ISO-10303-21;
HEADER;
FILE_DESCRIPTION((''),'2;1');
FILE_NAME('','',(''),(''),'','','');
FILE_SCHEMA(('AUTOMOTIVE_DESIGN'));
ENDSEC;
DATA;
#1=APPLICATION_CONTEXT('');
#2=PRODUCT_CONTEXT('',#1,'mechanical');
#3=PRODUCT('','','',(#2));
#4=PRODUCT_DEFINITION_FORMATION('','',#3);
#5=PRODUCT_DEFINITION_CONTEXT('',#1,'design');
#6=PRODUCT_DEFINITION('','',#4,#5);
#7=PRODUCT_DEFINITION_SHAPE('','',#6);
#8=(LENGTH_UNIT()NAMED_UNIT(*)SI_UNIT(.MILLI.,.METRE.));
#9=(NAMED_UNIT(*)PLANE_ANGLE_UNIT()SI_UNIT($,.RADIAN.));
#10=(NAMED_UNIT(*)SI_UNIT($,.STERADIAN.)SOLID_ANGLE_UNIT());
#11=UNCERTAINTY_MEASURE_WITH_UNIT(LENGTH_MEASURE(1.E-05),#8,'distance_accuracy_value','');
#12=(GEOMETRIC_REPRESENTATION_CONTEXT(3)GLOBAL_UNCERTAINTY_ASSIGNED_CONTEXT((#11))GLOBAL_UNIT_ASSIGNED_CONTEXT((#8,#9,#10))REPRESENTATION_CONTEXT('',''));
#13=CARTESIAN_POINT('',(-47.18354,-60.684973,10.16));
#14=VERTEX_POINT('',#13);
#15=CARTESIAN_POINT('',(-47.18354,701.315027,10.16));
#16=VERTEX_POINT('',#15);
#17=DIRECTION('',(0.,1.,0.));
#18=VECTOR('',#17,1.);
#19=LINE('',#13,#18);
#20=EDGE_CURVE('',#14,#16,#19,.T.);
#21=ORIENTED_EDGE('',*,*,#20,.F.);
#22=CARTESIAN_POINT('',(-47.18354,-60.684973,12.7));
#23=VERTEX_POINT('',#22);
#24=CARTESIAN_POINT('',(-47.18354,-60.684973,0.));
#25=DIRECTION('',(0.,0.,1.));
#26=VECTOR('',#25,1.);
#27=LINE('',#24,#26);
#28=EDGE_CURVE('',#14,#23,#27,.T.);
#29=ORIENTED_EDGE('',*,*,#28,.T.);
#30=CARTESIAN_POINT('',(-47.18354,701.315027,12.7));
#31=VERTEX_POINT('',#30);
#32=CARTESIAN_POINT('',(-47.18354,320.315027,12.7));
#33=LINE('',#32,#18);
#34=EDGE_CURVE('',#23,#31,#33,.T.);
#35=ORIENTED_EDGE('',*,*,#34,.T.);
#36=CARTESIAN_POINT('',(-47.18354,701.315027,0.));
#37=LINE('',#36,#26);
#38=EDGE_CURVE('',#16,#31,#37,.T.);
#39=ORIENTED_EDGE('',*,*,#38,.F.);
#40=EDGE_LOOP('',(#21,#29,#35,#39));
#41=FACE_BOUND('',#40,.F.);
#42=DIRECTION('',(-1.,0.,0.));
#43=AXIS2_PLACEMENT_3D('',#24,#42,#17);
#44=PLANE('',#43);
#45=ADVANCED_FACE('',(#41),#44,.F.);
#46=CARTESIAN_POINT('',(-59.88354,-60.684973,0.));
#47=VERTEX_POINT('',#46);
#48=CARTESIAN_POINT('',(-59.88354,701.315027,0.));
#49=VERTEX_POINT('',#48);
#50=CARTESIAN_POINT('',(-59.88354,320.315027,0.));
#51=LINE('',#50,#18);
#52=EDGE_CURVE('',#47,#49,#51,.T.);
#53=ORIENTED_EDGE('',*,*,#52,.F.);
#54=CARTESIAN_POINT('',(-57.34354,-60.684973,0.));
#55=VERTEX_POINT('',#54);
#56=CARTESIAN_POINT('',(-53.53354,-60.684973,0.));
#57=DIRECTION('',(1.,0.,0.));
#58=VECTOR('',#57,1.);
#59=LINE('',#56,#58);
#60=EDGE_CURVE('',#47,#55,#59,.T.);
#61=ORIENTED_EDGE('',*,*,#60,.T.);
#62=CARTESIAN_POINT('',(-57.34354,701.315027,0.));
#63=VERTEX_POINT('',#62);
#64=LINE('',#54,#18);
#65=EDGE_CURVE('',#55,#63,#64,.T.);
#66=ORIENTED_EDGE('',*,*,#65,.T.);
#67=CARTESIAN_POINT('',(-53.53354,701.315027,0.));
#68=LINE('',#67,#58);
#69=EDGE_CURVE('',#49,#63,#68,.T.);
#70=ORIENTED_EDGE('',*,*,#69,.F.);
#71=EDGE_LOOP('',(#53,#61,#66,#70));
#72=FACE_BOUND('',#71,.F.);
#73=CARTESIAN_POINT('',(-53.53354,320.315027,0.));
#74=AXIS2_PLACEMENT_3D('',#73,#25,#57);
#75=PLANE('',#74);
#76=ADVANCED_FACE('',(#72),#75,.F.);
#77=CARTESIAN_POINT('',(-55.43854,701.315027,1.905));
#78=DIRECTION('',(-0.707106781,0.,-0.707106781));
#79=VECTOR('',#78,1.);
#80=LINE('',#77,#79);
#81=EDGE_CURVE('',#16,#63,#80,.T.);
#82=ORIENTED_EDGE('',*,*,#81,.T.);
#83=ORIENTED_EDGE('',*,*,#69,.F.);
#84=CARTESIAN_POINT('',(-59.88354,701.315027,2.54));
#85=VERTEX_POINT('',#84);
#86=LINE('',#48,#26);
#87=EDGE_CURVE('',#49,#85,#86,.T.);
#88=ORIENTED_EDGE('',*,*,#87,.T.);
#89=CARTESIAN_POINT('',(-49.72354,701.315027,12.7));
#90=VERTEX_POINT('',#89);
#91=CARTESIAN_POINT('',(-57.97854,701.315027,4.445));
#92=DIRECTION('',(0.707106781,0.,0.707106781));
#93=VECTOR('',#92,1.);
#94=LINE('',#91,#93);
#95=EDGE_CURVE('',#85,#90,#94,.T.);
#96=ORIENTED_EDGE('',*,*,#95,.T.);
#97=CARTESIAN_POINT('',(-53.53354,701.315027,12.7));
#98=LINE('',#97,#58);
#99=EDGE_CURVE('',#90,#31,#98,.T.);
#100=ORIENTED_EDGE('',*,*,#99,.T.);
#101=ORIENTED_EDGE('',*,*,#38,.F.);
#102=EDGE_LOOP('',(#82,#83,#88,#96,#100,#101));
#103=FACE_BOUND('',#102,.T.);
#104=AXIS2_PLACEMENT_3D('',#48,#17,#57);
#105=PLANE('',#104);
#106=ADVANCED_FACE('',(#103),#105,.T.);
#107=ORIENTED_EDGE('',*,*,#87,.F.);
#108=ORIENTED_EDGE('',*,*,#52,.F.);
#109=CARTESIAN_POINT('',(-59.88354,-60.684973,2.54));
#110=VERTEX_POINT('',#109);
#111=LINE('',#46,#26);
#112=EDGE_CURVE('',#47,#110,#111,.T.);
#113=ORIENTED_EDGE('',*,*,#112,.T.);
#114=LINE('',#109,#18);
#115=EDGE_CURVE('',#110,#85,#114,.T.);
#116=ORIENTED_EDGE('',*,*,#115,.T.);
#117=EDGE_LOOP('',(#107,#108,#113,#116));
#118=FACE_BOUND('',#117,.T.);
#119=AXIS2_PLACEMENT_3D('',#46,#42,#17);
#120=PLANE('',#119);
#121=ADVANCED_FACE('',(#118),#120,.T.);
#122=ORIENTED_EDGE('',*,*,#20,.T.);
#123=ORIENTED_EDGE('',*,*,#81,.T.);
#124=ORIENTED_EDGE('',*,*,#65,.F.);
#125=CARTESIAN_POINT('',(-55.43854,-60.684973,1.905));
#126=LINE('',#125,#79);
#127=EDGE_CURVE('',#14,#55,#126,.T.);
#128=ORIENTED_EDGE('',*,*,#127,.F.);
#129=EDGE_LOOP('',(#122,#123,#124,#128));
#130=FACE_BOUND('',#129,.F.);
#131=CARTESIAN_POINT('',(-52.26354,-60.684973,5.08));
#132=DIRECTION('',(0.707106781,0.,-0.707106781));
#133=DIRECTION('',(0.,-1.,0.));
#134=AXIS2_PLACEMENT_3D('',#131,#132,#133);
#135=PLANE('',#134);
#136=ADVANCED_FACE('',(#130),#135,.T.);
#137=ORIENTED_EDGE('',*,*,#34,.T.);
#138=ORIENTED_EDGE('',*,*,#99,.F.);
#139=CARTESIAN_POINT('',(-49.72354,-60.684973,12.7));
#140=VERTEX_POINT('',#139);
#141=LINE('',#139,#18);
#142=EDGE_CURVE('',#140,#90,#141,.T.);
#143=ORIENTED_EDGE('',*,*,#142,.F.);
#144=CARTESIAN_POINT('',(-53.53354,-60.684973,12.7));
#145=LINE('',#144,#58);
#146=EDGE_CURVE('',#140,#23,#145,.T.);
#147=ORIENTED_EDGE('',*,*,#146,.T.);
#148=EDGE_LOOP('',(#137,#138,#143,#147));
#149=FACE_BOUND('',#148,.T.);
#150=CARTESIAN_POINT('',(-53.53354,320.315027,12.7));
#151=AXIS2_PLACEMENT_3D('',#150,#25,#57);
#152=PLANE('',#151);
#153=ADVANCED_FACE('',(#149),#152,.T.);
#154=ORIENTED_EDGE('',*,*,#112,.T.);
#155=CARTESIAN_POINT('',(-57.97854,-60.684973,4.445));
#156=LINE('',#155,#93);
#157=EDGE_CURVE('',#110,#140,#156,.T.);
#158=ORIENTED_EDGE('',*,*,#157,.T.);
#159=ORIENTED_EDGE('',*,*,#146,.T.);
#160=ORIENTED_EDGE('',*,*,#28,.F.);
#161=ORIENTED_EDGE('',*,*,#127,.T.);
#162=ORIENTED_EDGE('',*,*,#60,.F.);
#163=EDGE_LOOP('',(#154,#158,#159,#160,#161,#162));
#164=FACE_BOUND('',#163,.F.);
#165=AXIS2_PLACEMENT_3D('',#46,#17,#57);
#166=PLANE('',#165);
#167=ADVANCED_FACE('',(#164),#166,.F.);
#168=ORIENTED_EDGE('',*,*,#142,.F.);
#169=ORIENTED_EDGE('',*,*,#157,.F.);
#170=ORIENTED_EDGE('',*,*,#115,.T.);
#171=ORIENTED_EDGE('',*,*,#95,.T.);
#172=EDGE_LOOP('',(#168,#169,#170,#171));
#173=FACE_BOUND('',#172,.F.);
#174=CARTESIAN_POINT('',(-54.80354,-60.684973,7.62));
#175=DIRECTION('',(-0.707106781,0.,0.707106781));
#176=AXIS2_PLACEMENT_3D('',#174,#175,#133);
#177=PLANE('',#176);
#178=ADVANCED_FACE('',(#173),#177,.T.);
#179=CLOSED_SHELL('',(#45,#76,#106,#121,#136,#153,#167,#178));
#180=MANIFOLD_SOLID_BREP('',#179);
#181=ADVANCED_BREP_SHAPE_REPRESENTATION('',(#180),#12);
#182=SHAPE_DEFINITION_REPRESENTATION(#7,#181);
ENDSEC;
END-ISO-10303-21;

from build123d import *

# Parameters (mm, degrees)
F0_W     = 12.7
F0_H     = 762
F1_DEPTH = 12.7
F2_SIZE  = 10.16


with BuildPart() as f1:
    # F0 (on Top) → F1 (new body)
    with BuildSketch(Plane.XY):
        with Locations((-53.53354, 320.315027)):
            Rectangle(F0_W, F0_H)
    extrude(amount=F1_DEPTH)

    # F2
    f2_edges = [f1.edges().sort_by_distance(p)[0] for p in [
        (-59.88354, 320.315027, 12.7),
        (-47.18354, 320.315027, 0),
    ]]
    chamfer(f2_edges, length=F2_SIZE)


solid = f1.part
